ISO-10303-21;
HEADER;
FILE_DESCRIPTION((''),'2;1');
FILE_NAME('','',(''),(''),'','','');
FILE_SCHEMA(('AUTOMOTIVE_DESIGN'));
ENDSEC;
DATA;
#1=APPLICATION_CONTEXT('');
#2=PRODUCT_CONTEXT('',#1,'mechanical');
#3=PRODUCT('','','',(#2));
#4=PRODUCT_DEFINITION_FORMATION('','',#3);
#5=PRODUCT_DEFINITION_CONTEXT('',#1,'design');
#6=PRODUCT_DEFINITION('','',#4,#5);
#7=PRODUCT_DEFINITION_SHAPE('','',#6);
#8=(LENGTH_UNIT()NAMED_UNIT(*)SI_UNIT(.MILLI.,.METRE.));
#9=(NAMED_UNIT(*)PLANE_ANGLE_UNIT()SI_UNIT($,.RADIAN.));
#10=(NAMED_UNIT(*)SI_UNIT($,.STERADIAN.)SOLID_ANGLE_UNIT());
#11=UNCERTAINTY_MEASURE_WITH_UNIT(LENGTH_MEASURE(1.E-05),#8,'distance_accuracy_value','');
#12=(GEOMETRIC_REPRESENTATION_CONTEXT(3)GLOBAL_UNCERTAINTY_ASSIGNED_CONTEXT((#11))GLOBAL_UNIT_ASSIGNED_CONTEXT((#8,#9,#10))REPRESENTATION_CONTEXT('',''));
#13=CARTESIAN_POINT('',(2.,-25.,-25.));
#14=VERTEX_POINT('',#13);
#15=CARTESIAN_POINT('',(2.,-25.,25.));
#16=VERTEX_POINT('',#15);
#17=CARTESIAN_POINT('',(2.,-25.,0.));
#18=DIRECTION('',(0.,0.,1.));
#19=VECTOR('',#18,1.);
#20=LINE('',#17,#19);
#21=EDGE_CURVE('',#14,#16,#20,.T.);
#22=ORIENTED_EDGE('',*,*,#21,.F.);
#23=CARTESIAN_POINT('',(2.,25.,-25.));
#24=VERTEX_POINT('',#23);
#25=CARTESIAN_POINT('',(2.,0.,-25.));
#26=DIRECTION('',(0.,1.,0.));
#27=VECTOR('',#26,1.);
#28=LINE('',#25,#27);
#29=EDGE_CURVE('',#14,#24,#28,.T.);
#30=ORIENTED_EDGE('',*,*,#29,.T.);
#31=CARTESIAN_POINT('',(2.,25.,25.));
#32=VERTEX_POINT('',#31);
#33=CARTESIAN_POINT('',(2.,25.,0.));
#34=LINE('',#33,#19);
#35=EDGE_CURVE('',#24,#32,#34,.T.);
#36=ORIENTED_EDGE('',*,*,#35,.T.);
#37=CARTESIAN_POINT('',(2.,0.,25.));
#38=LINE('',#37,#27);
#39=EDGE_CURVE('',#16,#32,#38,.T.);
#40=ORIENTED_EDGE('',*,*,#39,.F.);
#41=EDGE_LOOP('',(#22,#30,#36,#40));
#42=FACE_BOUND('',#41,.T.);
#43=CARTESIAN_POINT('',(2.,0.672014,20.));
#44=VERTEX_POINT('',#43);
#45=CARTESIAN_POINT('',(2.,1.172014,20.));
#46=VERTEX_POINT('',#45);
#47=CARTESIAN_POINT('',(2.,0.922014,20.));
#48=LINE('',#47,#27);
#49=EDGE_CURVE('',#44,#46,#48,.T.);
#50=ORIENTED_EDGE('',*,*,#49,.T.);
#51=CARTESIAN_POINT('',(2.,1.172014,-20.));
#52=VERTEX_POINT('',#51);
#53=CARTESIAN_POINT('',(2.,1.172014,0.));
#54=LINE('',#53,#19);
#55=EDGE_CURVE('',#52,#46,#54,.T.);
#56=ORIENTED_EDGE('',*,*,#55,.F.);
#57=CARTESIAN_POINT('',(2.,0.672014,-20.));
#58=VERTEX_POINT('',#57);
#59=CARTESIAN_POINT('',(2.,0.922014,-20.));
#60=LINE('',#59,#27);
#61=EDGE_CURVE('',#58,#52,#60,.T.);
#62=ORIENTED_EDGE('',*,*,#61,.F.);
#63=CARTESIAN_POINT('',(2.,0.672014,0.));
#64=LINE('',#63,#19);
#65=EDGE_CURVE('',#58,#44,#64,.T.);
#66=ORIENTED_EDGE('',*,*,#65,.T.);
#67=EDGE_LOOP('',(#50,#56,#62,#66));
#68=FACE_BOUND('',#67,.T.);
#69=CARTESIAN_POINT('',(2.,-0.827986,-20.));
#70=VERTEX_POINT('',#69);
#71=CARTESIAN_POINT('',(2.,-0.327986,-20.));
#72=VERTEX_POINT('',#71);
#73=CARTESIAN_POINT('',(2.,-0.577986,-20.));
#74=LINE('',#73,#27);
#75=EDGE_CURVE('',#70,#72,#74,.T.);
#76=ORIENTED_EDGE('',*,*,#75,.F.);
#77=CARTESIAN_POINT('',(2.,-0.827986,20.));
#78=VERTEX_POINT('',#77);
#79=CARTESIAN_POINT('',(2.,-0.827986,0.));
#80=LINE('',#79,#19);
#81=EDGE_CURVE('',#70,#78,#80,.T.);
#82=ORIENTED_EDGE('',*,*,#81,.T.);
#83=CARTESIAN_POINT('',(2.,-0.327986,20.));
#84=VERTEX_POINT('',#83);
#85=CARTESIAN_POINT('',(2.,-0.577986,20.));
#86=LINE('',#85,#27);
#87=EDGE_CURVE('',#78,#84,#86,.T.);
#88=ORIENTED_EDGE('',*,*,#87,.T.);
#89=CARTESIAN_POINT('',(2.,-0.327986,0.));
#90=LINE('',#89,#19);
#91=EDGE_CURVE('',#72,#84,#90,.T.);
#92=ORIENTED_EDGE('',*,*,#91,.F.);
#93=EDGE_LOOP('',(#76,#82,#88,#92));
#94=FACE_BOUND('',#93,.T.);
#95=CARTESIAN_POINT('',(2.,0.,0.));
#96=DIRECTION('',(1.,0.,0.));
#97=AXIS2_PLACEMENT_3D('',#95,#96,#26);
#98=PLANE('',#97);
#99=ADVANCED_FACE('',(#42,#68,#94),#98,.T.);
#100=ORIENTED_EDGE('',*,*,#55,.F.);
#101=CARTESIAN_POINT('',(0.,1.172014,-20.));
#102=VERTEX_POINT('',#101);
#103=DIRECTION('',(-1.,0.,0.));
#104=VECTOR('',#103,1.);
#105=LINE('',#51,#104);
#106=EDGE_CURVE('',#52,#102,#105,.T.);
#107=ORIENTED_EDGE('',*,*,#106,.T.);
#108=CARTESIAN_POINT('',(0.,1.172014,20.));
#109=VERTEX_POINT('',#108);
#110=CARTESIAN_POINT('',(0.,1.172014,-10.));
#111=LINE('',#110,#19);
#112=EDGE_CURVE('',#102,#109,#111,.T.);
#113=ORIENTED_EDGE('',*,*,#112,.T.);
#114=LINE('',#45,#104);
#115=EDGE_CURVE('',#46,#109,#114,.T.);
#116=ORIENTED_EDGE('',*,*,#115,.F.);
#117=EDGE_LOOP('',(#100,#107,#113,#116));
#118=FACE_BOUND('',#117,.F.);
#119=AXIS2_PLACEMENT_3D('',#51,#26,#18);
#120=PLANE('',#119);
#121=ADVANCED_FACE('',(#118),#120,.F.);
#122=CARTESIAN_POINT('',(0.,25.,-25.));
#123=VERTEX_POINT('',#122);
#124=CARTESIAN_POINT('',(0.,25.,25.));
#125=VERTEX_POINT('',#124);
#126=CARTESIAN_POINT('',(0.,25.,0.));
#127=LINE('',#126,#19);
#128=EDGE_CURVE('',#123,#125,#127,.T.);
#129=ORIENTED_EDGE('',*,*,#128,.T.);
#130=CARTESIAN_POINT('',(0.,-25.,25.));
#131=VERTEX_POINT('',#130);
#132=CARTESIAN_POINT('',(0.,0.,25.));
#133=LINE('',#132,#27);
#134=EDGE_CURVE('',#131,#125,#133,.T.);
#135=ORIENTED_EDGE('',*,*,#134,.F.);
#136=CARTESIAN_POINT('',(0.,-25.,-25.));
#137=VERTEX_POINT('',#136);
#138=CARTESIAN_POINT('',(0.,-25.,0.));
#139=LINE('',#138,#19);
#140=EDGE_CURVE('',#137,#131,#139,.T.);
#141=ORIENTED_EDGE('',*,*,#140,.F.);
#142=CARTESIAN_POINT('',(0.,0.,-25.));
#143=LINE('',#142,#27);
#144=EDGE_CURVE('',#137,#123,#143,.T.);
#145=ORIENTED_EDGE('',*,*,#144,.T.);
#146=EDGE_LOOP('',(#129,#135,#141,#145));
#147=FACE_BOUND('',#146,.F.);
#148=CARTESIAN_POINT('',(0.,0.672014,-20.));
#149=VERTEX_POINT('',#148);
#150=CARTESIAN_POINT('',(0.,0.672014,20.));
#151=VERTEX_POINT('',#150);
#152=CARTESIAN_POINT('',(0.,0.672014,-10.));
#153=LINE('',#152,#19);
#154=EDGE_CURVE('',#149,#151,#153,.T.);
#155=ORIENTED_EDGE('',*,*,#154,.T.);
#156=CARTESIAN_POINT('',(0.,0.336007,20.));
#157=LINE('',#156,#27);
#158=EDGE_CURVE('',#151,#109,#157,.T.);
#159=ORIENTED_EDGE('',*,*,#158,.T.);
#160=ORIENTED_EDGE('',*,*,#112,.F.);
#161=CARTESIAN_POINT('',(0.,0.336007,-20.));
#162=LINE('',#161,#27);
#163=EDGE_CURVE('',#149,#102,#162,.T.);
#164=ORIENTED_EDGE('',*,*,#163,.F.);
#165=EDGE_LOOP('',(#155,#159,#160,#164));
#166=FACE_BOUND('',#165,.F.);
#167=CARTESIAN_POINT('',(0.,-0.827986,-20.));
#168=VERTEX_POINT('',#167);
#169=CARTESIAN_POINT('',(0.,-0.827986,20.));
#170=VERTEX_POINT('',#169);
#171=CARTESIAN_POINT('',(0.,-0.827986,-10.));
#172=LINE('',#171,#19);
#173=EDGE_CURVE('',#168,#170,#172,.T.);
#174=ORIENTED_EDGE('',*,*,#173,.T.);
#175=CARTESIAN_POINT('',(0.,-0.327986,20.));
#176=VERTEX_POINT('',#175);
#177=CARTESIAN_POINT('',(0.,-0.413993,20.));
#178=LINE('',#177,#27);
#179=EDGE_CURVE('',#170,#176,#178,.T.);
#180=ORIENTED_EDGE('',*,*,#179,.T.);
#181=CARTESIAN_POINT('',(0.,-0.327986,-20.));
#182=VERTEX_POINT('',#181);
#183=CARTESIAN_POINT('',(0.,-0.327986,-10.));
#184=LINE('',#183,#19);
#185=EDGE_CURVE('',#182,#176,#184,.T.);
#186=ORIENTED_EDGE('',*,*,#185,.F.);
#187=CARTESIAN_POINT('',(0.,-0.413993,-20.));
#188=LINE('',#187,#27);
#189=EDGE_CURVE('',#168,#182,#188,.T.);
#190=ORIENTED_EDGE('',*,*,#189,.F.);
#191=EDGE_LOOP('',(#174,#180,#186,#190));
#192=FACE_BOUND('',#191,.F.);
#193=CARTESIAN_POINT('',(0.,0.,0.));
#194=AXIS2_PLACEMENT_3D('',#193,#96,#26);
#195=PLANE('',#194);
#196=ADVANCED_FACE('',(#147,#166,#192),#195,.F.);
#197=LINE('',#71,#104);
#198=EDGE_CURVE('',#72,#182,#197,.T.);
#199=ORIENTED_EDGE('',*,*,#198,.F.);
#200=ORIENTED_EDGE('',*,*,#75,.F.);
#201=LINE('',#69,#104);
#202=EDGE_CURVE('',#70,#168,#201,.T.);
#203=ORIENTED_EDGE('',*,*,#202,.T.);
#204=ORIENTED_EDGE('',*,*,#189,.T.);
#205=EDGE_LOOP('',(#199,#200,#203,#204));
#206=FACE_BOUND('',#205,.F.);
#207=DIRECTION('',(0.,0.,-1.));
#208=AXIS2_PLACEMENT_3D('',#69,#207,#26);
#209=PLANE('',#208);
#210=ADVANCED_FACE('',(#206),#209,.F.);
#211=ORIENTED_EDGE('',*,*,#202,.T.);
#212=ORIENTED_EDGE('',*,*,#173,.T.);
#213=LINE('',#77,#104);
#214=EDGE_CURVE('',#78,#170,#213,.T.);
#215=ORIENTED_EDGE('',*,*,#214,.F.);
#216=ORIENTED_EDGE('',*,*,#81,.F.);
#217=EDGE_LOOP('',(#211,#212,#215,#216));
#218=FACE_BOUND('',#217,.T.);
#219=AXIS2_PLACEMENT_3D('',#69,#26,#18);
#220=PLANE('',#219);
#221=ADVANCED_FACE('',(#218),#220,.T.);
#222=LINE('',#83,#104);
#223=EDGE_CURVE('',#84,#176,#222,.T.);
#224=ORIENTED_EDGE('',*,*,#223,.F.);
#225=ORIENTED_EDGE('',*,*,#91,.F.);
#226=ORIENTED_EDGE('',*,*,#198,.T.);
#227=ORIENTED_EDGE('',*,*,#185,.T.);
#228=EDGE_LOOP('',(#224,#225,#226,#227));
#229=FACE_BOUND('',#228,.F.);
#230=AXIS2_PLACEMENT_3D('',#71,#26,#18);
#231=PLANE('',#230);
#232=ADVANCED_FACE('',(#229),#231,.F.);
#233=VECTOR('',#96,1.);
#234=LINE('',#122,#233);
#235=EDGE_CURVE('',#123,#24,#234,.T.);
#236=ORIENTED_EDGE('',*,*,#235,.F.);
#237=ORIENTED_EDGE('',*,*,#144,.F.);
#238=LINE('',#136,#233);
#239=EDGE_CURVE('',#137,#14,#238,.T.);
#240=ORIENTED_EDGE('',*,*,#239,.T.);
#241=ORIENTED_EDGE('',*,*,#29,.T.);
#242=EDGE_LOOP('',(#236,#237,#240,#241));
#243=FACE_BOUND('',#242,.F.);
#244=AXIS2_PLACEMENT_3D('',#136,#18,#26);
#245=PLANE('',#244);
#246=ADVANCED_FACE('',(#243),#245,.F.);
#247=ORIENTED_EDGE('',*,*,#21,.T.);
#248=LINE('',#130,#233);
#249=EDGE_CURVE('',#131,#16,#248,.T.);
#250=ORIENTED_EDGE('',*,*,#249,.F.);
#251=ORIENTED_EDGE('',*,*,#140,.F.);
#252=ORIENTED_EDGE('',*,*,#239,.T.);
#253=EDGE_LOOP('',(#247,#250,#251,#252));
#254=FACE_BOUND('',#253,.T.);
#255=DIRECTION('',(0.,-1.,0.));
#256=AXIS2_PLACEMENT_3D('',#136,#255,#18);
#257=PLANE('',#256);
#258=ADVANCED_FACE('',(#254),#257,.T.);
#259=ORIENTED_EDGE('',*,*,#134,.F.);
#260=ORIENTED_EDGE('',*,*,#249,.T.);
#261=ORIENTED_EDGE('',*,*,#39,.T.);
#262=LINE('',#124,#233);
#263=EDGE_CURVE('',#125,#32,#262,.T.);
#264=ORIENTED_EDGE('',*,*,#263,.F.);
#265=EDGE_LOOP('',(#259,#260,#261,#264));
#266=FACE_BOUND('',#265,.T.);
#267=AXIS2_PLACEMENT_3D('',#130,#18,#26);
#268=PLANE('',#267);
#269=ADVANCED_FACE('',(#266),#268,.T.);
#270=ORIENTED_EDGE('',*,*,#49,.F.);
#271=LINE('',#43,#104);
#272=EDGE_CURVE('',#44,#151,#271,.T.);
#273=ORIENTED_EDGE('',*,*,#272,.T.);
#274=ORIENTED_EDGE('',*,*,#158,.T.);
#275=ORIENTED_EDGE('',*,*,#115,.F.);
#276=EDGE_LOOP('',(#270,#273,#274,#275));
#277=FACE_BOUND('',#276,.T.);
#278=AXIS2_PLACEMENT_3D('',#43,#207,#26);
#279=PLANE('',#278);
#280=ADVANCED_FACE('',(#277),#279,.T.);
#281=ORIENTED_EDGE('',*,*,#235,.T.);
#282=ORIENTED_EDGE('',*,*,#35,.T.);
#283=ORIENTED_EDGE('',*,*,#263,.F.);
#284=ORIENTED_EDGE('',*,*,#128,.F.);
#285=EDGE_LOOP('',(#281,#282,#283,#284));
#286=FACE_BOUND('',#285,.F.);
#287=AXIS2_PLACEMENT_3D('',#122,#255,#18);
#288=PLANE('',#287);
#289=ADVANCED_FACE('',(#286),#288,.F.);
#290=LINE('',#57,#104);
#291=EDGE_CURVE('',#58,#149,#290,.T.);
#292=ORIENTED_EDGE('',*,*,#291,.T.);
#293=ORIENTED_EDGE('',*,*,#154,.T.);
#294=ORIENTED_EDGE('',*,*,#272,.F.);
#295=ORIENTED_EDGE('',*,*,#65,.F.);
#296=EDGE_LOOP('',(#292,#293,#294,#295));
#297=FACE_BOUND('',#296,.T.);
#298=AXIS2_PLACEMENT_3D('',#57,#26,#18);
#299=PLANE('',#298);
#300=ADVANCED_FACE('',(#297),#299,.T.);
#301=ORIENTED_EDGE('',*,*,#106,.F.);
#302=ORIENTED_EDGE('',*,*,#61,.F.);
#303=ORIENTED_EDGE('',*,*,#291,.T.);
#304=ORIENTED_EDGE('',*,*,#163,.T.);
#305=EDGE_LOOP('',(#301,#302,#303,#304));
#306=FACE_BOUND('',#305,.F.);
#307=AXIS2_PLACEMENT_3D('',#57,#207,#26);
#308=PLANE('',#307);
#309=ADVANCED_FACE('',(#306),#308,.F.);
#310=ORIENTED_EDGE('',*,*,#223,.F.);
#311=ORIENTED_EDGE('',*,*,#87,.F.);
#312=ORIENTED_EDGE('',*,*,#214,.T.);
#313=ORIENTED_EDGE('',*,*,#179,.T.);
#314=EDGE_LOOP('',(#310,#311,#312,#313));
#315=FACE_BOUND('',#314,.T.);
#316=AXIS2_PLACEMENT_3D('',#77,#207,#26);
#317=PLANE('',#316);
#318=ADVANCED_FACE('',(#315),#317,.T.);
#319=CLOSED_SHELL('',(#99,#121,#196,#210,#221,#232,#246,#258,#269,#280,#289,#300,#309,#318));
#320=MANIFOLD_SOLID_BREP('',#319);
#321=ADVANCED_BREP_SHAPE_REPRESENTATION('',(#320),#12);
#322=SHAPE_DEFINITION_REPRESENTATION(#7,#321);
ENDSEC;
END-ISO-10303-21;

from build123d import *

# Parameters (mm, degrees)
F0_W     = 50
F0_H     = 50
F1_DEPTH = 2
F2_W     = 0.5
F2_H     = 40
F3_DEPTH = 2.001


with BuildPart() as f1:
    # F0 (on Right) → F1 (new body)
    with BuildSketch(Plane.YZ):
        Rectangle(F0_W, F0_H)
    extrude(amount=F1_DEPTH)

    # F2 (on face) → F3 (cut, through all)
    with BuildSketch(Plane.YZ.offset(2)):
        with Locations((-0.577986, 0)):
            Rectangle(F2_W, F2_H)
        with Locations((0.922014, 0)):
            Rectangle(F2_W, F2_H)
    extrude(amount=-F3_DEPTH, mode=Mode.SUBTRACT)


solid = f1.part
